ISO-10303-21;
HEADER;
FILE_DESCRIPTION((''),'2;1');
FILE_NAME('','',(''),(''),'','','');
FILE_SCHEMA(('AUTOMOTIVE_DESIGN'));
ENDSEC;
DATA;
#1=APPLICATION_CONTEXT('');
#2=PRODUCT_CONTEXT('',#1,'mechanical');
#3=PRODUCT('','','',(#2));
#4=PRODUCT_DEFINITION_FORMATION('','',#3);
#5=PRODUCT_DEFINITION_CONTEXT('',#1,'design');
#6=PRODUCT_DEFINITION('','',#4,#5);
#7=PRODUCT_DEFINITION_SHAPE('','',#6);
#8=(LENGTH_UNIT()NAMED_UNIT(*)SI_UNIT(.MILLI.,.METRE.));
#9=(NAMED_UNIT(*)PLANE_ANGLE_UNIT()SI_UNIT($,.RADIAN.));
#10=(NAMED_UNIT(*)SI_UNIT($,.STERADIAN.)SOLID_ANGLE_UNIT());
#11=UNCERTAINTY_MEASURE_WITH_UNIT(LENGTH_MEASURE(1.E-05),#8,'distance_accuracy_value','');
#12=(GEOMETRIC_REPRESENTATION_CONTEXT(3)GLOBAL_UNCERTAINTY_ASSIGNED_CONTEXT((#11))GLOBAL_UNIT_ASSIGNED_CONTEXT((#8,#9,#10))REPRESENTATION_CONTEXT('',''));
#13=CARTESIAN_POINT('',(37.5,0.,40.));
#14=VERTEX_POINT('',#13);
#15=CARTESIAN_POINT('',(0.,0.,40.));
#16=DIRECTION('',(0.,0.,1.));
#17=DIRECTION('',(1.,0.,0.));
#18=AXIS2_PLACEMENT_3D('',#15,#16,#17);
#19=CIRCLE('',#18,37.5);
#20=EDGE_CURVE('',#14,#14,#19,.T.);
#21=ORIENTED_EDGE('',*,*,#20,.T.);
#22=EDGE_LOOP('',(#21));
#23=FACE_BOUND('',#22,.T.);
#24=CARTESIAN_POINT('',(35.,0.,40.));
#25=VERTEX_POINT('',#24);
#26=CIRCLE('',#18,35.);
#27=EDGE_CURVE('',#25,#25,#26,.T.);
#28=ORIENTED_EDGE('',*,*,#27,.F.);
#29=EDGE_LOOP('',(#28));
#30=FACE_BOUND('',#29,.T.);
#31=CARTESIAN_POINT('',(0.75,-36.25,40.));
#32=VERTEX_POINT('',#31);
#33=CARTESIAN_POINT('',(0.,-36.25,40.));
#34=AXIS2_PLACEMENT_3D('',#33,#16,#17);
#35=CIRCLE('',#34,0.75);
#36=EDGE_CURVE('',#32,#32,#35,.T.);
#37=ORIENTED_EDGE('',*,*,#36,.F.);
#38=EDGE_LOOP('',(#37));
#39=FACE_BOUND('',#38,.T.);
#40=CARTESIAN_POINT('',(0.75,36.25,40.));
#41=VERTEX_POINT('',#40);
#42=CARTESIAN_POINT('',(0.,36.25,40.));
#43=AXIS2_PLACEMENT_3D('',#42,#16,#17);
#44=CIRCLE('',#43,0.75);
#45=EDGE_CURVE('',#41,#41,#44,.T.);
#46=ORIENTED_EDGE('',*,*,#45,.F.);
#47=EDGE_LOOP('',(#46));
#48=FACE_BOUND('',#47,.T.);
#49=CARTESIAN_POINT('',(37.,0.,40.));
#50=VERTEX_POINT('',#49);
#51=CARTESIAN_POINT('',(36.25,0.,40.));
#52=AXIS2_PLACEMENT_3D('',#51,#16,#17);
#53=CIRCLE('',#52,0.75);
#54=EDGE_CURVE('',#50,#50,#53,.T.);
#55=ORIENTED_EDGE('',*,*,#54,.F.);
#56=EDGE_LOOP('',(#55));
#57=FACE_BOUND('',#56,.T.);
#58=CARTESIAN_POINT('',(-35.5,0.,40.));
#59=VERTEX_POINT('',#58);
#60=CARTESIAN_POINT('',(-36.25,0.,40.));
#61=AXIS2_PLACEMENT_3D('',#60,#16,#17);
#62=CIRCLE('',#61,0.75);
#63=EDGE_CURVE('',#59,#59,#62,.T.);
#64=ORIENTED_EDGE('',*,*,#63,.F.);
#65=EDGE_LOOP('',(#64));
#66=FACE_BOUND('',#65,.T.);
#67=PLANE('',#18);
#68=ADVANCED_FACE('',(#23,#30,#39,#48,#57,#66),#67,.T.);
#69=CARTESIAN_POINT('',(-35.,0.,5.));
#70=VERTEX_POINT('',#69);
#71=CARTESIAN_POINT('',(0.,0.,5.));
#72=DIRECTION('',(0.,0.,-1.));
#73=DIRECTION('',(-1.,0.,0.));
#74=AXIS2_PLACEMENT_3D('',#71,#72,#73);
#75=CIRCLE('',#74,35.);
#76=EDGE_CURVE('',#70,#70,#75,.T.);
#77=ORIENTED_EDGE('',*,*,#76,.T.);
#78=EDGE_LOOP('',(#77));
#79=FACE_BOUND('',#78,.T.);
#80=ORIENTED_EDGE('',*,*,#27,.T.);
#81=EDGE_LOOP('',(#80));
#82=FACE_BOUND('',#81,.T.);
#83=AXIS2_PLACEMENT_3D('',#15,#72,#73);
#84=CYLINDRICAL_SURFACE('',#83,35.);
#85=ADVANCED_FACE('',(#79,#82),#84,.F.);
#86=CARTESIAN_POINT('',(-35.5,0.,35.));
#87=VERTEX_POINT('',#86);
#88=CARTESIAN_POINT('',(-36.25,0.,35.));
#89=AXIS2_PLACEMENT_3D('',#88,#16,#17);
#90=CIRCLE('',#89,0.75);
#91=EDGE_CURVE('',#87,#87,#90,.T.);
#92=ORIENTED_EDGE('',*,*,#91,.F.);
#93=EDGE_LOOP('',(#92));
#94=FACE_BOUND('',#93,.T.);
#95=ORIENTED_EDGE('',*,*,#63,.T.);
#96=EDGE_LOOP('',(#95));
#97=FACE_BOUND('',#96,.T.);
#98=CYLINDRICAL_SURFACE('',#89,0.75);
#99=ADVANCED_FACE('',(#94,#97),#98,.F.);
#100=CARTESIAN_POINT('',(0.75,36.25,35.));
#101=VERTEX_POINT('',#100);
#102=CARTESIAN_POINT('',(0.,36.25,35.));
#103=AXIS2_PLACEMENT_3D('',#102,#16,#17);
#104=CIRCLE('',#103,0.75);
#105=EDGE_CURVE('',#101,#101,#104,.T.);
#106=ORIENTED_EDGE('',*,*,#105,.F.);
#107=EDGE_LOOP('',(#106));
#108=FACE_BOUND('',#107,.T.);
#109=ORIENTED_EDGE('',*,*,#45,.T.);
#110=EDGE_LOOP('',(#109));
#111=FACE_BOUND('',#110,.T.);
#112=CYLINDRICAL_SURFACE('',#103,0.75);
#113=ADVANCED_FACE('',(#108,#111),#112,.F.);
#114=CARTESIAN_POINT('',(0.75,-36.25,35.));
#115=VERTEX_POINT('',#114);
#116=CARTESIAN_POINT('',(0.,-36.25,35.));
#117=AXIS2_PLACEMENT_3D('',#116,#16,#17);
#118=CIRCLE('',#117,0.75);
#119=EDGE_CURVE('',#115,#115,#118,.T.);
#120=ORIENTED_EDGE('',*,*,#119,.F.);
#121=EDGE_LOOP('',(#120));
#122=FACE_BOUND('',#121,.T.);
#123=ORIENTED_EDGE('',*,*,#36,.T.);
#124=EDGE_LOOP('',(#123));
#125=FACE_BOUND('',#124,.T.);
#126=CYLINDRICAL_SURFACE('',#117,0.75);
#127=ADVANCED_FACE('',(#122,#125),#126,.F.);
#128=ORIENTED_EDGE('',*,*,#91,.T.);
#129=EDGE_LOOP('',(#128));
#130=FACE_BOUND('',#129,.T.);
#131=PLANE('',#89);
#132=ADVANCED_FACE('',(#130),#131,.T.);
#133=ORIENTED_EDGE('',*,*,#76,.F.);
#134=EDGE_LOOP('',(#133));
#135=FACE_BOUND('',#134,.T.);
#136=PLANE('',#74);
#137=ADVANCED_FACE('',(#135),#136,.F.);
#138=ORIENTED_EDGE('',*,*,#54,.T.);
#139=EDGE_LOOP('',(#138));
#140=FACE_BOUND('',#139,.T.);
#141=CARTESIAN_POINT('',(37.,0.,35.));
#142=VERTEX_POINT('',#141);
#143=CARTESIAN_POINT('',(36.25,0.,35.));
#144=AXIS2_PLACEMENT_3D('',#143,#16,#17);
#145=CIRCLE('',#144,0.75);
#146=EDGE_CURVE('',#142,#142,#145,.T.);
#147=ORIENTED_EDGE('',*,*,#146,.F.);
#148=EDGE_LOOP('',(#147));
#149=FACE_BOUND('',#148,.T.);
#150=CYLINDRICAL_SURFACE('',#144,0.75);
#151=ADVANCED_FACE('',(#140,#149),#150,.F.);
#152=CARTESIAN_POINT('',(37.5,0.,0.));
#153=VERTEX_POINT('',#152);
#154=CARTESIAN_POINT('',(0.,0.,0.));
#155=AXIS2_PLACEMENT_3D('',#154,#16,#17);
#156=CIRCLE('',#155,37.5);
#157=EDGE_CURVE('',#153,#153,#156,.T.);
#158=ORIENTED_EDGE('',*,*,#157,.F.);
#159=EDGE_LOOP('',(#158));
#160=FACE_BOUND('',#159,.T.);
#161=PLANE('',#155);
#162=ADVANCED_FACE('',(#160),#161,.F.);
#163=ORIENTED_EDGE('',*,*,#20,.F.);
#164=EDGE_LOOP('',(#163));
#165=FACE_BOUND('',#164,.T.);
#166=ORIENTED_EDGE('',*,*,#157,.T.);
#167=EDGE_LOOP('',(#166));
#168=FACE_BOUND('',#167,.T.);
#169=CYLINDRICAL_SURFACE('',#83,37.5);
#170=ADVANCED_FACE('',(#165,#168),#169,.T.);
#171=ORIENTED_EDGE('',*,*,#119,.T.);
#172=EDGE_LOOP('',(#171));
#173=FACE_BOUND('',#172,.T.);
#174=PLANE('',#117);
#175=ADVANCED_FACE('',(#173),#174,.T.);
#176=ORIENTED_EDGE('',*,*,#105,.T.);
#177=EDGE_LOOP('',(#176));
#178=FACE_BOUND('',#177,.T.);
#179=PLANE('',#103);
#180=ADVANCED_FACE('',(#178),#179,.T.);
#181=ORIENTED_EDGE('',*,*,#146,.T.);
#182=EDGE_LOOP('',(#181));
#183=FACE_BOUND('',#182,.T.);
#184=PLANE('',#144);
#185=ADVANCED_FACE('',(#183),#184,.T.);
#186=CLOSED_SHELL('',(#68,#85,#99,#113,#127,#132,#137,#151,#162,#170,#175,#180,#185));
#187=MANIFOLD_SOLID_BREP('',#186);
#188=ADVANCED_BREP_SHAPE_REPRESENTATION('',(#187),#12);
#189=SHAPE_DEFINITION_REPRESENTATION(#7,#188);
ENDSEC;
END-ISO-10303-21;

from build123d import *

# Parameters (mm, degrees)
SKETCH1_R           = 37.5
SKETCH1_R_2         = 35
BOSS_EXTRUDE1_DEPTH = 40
SKETCH2_R           = 35
BOSS_EXTRUDE2_DEPTH = 5
SKETCH3_R           = 0.75
CUT_EXTRUDE1_DEPTH  = 5


with BuildPart() as part:
    # Sketch1 → Boss-Extrude1 (new body)
    with BuildSketch(Plane.XY):
        Circle(SKETCH1_R)
        Circle(SKETCH1_R_2, mode=Mode.SUBTRACT)
    extrude(amount=BOSS_EXTRUDE1_DEPTH)

    # Sketch2 → Boss-Extrude2 (add)
    with BuildSketch(Plane(origin=(0, 0, 0), x_dir=(-1, 0, 0), z_dir=(0, 0, -1))):
        Circle(SKETCH2_R)
    extrude(amount=-BOSS_EXTRUDE2_DEPTH)

    # Sketch3 → Cut-Extrude1 (cut)
    with BuildSketch(Plane.XY.offset(40)):
        with Locations((0, 36.25)):
            Circle(SKETCH3_R)
        with Locations((36.25, 0)):
            Circle(SKETCH3_R)
        with Locations((0, -36.25)):
            Circle(SKETCH3_R)
        with Locations((-36.25, 0)):
            Circle(SKETCH3_R)
    extrude(amount=-CUT_EXTRUDE1_DEPTH, mode=Mode.SUBTRACT)


solid = part.part
